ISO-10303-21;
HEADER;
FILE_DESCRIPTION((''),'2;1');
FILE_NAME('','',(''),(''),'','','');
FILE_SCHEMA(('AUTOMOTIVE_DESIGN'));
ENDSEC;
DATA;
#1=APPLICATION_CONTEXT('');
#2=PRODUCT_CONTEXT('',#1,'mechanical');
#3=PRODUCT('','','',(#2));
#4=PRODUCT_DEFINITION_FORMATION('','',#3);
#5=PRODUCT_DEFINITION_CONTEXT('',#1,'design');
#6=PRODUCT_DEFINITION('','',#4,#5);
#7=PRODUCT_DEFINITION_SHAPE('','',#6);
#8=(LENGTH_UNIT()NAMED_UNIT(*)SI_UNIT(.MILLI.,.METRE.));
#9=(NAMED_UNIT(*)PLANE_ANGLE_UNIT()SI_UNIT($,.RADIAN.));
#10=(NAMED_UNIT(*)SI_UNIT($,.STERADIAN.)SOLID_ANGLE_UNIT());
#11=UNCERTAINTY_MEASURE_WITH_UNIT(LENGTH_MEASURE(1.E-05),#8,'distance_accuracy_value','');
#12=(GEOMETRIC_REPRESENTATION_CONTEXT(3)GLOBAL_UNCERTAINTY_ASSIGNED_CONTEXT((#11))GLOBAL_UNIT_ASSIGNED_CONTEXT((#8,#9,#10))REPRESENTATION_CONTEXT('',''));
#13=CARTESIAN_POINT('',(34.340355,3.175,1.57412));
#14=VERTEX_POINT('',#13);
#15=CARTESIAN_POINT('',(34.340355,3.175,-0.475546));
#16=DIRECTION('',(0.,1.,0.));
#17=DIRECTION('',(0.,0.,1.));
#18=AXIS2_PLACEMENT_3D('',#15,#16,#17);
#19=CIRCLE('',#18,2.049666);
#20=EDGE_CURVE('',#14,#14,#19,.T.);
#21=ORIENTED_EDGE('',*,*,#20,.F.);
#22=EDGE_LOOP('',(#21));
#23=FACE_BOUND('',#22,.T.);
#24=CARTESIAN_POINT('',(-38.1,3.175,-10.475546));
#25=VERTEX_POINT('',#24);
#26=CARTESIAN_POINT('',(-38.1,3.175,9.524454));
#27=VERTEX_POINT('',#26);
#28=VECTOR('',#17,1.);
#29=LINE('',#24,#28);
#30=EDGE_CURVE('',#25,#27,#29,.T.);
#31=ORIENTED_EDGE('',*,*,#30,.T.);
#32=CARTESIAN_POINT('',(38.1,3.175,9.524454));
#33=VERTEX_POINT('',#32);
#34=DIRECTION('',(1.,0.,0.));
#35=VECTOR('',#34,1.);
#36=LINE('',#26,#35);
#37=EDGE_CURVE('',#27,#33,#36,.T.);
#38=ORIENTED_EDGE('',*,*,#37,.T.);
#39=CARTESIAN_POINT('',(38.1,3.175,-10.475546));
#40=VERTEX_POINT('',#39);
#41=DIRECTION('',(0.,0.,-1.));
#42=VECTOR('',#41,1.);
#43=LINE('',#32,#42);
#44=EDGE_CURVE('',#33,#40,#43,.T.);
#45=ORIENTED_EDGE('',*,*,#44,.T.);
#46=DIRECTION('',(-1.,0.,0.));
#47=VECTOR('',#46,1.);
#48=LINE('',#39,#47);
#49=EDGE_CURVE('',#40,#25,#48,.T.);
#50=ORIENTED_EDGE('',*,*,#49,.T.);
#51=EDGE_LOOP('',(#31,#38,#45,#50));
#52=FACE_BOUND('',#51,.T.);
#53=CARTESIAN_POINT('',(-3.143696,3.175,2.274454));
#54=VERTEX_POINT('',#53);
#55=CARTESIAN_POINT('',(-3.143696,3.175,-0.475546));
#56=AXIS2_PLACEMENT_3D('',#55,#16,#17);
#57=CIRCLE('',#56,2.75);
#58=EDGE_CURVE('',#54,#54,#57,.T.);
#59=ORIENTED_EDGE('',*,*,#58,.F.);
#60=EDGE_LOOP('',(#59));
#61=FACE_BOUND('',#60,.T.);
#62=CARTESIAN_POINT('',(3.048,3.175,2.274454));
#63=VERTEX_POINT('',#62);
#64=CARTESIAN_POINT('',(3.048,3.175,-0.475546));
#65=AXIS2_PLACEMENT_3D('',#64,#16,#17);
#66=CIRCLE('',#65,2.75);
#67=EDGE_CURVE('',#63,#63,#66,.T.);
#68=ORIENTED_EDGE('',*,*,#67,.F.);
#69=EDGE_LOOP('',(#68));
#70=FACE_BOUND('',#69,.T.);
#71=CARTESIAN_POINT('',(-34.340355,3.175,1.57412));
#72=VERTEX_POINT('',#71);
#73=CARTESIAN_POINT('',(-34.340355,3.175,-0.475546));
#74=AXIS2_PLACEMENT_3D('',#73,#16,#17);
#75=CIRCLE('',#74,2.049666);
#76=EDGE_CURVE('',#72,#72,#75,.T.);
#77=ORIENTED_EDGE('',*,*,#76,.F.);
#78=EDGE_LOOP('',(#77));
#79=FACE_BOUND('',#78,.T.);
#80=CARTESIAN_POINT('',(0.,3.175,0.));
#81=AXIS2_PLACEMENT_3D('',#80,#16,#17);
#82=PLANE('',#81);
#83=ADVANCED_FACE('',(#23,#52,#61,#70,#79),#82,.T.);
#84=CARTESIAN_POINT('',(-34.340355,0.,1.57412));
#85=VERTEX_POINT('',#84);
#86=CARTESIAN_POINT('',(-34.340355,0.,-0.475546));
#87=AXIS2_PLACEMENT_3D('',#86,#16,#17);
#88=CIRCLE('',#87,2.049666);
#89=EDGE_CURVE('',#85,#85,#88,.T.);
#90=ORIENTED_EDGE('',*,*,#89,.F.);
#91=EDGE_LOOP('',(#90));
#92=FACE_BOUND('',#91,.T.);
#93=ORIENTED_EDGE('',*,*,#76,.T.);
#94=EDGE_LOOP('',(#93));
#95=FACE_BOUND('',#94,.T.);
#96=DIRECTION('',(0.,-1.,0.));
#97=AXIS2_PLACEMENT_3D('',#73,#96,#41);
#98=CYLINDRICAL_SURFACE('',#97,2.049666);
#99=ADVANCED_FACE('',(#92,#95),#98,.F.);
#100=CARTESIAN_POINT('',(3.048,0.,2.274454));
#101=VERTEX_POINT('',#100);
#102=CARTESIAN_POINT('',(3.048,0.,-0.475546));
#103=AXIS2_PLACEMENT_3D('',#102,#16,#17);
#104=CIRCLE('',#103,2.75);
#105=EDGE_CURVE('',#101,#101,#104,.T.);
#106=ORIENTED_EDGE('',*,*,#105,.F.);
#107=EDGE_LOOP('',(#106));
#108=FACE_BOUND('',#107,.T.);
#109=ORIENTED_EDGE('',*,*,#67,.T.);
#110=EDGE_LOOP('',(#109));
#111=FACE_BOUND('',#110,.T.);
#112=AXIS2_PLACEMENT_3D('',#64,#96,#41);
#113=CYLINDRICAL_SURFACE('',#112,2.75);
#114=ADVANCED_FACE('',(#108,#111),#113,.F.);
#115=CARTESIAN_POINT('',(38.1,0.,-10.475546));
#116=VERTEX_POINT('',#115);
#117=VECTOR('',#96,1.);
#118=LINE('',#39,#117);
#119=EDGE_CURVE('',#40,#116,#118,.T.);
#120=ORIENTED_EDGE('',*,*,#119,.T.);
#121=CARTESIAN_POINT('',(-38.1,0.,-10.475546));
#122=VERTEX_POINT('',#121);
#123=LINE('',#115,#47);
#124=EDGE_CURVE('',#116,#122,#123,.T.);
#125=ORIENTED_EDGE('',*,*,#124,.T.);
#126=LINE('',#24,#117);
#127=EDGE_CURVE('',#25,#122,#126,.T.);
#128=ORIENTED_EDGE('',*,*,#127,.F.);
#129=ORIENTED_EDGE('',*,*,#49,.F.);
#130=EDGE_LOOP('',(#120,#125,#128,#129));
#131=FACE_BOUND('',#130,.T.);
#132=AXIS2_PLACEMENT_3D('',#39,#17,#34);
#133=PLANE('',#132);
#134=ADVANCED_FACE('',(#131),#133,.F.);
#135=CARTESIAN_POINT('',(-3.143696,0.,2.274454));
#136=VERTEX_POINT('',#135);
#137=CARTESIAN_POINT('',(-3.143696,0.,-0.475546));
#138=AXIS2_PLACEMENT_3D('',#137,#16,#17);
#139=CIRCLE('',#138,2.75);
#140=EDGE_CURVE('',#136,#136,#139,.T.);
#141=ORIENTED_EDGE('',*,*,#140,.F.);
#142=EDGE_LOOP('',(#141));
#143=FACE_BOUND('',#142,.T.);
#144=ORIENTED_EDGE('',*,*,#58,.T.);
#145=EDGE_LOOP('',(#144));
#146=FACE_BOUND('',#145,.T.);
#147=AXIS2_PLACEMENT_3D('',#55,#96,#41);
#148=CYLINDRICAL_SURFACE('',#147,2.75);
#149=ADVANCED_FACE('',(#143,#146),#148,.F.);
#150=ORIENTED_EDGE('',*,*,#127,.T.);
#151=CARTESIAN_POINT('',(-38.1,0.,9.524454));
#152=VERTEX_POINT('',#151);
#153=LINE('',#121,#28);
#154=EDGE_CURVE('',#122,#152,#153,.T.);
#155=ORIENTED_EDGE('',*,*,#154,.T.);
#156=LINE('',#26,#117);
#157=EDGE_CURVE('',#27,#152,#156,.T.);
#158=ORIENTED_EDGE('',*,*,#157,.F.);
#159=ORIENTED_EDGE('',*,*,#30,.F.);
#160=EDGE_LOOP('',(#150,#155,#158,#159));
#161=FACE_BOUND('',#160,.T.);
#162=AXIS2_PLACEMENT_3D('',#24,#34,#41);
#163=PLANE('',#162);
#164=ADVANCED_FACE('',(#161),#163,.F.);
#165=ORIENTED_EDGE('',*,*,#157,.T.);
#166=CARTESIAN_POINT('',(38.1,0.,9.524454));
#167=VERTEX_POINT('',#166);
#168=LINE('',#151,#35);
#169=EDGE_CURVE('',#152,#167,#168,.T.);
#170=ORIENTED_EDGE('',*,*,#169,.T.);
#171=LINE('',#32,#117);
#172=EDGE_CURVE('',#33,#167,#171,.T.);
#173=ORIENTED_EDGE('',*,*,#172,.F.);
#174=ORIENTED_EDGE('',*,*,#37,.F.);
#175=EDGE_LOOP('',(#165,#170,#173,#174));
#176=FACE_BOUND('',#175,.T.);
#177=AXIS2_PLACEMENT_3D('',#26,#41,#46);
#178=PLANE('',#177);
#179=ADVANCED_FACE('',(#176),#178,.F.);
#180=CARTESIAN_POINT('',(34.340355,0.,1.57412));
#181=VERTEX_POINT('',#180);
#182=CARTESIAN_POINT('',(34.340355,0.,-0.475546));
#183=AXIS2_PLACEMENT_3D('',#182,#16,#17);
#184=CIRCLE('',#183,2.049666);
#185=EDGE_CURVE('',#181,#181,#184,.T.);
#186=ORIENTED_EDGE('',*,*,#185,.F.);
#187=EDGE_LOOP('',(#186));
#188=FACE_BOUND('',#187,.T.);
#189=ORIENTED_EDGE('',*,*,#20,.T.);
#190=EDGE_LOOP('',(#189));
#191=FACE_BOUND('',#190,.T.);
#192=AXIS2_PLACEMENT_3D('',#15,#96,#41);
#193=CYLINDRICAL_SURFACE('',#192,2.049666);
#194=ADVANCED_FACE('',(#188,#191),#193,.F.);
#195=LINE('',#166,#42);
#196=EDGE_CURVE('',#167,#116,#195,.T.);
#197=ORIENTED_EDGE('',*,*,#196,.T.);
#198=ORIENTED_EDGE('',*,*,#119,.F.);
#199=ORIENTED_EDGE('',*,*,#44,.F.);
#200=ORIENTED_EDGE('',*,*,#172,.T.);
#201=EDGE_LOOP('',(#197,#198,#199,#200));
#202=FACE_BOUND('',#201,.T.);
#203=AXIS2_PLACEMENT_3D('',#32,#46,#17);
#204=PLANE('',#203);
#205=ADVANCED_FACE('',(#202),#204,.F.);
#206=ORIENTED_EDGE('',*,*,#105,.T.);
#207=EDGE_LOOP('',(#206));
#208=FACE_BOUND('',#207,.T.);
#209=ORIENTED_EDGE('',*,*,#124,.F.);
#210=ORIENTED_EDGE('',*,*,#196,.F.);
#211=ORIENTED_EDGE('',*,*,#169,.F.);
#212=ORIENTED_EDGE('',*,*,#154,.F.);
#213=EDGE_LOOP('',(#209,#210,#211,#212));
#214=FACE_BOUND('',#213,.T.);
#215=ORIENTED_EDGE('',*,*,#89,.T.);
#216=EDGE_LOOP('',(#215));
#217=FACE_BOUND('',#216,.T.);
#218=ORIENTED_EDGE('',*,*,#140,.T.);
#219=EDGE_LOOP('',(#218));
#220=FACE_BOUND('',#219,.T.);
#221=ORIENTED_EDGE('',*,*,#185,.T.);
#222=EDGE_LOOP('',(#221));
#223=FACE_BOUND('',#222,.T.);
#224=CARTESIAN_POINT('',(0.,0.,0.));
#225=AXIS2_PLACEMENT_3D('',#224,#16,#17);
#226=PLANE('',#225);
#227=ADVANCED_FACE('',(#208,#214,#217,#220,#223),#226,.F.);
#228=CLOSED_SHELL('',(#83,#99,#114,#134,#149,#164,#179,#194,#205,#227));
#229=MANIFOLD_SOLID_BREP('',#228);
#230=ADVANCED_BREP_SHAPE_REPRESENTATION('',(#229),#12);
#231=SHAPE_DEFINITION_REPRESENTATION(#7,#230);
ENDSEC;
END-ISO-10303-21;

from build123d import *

# Parameters (mm, degrees)
SKETCH1_W           = 76.2
SKETCH1_H           = 20
SKETCH1_R           = 2.75
SKETCH1_R_2         = 2.049665702
BOSS_EXTRUDE1_DEPTH = 3.175


with BuildPart() as part:
    # Sketch1 → Boss-Extrude1 (new body)
    with BuildSketch(Plane(origin=(0, 0, 0), x_dir=(1, 0, 0), z_dir=(0, 1, 0))):
        with Locations((0, 0.475545855)):
            Rectangle(SKETCH1_W, SKETCH1_H)
        with Locations((3.048, 0.475545855)):
            Circle(SKETCH1_R, mode=Mode.SUBTRACT)
        with Locations((-3.143696082, 0.475545855)):
            Circle(SKETCH1_R, mode=Mode.SUBTRACT)
        with Locations((-34.340354519, 0.475545855)):
            Circle(SKETCH1_R_2, mode=Mode.SUBTRACT)
        with Locations((34.340354519, 0.475545855)):
            Circle(SKETCH1_R_2, mode=Mode.SUBTRACT)
    extrude(amount=BOSS_EXTRUDE1_DEPTH)


solid = part.part
